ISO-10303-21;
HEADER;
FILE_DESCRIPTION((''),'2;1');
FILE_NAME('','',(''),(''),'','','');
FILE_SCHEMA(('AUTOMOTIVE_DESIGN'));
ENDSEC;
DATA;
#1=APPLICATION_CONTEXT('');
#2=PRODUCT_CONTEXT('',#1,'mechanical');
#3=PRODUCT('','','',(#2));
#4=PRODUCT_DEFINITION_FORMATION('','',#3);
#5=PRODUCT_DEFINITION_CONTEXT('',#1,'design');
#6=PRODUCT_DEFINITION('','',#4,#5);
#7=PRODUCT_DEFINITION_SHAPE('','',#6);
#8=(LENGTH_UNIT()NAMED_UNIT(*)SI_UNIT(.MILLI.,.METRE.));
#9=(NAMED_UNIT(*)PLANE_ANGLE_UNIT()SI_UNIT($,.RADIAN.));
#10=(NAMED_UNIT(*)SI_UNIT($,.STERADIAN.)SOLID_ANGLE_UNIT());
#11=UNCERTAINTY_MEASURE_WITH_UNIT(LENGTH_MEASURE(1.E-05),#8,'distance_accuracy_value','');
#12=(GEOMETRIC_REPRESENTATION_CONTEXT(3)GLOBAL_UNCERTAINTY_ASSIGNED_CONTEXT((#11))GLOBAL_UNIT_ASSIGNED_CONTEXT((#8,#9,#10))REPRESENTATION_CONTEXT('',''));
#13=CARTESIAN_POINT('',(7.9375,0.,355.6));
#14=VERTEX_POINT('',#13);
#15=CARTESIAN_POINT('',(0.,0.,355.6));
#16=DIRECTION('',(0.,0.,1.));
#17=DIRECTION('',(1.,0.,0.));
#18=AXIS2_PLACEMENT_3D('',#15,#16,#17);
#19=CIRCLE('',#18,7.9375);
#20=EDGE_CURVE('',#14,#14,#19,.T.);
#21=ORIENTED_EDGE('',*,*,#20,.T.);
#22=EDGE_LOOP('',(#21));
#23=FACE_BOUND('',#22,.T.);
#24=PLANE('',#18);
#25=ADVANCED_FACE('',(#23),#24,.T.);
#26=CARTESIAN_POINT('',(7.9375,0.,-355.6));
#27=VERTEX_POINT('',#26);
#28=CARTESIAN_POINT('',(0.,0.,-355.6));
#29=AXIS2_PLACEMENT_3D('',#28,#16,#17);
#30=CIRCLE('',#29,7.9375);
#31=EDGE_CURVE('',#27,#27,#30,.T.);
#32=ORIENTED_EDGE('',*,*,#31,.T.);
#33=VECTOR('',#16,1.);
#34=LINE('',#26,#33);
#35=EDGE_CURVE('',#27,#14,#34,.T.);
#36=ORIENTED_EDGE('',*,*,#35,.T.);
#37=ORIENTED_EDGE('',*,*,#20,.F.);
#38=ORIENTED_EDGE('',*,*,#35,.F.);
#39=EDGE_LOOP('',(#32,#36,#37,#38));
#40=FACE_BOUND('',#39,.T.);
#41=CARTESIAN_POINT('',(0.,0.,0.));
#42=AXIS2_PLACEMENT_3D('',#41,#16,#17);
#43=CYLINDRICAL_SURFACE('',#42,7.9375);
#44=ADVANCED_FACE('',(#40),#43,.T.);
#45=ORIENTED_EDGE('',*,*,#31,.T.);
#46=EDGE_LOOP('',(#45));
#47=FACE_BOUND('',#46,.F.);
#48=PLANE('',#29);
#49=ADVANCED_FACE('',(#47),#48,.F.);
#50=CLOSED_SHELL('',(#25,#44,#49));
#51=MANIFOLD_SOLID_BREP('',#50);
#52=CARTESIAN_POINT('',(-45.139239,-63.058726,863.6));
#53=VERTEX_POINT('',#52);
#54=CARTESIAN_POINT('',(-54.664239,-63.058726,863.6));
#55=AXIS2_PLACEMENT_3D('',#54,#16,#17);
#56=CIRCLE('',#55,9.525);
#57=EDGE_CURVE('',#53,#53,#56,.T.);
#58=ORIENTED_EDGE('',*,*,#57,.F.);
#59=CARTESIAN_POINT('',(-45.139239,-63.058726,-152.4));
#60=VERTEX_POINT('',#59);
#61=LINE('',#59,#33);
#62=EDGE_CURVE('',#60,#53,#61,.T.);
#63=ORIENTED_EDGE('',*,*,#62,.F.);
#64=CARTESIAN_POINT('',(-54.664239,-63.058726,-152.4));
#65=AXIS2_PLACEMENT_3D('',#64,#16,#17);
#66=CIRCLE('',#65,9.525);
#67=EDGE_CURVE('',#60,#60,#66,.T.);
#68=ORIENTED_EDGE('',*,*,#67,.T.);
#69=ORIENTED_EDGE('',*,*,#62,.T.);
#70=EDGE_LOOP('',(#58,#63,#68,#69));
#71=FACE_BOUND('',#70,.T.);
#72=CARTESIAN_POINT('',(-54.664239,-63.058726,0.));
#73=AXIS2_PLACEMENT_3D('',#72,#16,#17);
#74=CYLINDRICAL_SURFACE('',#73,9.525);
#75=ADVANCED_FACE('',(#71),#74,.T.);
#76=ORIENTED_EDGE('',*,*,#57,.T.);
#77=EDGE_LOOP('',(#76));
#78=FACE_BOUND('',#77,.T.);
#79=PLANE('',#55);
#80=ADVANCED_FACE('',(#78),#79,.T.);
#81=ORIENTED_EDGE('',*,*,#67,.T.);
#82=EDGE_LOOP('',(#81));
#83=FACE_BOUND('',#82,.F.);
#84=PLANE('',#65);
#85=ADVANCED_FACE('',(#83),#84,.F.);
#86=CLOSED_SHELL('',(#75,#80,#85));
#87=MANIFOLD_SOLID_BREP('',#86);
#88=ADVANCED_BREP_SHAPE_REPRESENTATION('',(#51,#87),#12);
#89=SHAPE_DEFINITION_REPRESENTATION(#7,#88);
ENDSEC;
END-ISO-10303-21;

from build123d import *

# Parameters (mm, degrees)
F0_R          = 7.9375
F1_DEPTH      = 355.6
F1_DEPTH_BACK = 355.6
F2_R          = 9.525
F3_DEPTH      = 863.6
F3_DEPTH_BACK = 152.4


with BuildPart() as f1:
    # F0 (on Top) → F1 (new body, two sides)
    with BuildSketch(Plane.XY) as f1_sk:
        Circle(F0_R)
    extrude(amount=F1_DEPTH)
    extrude(f1_sk.sketch, amount=-F1_DEPTH_BACK)


with BuildPart() as f3:
    # F2 (on Top) → F3 (new body, two sides)
    with BuildSketch(Plane.XY) as f3_sk:
        with Locations((-54.664239, -63.058726)):
            Circle(F2_R)
    extrude(amount=F3_DEPTH)
    extrude(f3_sk.sketch, amount=-F3_DEPTH_BACK)


solid = Compound([f1.part, f3.part])
